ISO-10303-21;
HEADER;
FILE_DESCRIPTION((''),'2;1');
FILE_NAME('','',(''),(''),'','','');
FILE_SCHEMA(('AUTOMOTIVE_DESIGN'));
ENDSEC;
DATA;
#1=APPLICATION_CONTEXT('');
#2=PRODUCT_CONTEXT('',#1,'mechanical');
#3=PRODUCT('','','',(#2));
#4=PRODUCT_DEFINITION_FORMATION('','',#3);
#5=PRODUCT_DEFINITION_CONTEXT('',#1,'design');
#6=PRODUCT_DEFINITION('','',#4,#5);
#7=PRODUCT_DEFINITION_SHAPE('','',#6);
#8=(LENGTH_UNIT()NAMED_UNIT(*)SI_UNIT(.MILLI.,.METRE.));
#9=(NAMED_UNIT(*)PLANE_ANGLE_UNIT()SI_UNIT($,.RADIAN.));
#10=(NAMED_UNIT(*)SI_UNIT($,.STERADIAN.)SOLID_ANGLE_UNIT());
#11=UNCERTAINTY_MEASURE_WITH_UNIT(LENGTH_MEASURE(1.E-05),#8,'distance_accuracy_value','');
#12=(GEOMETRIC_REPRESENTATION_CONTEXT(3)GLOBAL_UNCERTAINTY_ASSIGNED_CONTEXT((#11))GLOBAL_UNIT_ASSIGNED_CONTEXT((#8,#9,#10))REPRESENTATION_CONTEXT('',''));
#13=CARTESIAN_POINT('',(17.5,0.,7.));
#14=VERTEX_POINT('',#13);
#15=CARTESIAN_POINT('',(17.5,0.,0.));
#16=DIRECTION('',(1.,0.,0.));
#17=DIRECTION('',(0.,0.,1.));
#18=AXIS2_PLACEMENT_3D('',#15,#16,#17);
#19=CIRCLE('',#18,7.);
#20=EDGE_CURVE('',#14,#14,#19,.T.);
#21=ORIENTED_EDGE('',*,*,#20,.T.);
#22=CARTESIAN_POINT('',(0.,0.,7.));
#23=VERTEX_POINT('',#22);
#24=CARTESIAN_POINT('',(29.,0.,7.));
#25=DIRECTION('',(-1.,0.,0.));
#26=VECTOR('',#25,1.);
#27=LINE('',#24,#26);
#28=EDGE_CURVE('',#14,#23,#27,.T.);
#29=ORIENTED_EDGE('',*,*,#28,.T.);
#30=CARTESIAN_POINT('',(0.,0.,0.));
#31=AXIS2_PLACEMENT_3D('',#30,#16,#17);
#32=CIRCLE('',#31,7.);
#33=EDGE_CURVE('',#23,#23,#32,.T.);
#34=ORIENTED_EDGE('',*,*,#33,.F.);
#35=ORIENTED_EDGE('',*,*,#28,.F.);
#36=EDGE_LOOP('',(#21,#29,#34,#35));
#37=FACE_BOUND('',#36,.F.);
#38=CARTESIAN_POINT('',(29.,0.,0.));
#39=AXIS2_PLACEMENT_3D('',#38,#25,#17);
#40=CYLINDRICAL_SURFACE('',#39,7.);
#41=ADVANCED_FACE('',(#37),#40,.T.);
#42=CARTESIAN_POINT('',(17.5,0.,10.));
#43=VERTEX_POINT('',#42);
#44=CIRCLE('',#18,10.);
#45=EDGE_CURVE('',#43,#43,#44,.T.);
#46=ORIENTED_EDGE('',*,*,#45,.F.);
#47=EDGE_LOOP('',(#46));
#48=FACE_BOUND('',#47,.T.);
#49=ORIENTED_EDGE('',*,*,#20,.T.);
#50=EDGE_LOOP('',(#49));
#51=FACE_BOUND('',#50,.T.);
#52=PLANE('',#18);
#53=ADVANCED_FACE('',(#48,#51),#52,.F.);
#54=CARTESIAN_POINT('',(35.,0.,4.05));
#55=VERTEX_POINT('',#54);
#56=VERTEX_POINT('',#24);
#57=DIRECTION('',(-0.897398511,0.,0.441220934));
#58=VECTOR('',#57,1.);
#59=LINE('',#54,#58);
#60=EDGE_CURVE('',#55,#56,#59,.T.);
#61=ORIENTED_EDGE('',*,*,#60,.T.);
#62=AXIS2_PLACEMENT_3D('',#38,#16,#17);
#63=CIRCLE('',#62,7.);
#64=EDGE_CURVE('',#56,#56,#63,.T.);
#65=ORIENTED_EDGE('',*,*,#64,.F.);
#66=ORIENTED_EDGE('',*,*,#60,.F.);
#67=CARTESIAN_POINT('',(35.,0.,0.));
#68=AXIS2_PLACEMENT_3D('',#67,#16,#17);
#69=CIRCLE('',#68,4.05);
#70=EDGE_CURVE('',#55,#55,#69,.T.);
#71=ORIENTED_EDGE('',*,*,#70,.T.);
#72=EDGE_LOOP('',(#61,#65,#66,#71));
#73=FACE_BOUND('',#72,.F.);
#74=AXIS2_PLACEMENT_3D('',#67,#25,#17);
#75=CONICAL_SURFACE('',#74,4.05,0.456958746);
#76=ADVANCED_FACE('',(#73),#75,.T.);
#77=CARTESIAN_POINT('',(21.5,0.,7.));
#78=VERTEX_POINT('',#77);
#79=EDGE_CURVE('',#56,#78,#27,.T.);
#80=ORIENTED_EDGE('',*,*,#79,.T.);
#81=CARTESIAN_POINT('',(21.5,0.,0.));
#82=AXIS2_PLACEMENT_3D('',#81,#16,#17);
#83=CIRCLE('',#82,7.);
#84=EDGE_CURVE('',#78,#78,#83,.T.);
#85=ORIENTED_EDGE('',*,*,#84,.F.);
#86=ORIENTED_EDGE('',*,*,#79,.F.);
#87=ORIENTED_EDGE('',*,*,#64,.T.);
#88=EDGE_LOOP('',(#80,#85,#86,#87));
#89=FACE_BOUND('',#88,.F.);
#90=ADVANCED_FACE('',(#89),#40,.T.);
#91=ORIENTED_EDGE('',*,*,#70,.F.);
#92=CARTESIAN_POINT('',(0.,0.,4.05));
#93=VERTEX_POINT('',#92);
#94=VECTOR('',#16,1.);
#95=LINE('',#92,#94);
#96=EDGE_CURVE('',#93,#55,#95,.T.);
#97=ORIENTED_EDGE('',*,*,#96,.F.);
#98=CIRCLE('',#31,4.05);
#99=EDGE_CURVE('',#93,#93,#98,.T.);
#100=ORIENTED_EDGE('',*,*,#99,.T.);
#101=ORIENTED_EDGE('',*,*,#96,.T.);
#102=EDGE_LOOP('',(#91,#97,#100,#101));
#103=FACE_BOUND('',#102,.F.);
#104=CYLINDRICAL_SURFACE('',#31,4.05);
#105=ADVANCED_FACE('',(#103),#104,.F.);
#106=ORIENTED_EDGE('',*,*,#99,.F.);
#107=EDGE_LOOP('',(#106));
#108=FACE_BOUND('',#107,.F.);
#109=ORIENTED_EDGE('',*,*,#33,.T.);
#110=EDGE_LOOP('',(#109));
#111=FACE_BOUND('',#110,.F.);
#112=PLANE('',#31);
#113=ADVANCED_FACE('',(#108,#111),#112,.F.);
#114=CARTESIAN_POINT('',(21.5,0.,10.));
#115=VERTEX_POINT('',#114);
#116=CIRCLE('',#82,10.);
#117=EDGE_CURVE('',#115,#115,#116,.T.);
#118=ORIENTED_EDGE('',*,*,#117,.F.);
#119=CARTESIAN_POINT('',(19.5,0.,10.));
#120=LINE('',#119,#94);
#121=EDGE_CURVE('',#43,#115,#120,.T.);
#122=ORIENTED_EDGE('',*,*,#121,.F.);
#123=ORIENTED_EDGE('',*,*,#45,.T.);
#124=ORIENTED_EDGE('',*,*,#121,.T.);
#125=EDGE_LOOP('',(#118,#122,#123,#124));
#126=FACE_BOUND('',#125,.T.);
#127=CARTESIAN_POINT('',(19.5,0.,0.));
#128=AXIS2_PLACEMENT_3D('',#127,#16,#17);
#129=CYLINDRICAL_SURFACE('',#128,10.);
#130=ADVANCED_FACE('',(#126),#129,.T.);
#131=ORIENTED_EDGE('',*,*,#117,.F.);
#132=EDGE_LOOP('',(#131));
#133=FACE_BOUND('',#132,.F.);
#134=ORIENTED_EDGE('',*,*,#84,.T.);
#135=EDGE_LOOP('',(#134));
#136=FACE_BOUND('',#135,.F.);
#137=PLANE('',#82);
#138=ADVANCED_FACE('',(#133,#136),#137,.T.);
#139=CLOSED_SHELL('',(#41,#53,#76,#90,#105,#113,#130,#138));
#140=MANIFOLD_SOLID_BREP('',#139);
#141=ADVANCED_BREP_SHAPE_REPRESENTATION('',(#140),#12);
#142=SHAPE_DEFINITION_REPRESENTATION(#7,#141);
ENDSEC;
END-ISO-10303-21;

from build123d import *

# Parameters (mm, degrees)
F2_W = 4
F2_H = 3


with BuildPart() as f1:
    # F0 (on Front) → F1 (revolve)
    with BuildSketch(Plane.XZ):
        Polygon((0, 7), (0, 4.05), (35, 4.05), (29, 7), align=None)
    revolve(axis=Axis((12.388052, 0, 0), (1, 0, 0)))

    # F2 (on Front) → F3 (revolve)
    with BuildSketch(Plane.XZ):
        with Locations((19.5, 8.5)):
            Rectangle(F2_W, F2_H)
    revolve(axis=Axis((12.388052, 0, 0), (1, 0, 0)))


solid = f1.part
